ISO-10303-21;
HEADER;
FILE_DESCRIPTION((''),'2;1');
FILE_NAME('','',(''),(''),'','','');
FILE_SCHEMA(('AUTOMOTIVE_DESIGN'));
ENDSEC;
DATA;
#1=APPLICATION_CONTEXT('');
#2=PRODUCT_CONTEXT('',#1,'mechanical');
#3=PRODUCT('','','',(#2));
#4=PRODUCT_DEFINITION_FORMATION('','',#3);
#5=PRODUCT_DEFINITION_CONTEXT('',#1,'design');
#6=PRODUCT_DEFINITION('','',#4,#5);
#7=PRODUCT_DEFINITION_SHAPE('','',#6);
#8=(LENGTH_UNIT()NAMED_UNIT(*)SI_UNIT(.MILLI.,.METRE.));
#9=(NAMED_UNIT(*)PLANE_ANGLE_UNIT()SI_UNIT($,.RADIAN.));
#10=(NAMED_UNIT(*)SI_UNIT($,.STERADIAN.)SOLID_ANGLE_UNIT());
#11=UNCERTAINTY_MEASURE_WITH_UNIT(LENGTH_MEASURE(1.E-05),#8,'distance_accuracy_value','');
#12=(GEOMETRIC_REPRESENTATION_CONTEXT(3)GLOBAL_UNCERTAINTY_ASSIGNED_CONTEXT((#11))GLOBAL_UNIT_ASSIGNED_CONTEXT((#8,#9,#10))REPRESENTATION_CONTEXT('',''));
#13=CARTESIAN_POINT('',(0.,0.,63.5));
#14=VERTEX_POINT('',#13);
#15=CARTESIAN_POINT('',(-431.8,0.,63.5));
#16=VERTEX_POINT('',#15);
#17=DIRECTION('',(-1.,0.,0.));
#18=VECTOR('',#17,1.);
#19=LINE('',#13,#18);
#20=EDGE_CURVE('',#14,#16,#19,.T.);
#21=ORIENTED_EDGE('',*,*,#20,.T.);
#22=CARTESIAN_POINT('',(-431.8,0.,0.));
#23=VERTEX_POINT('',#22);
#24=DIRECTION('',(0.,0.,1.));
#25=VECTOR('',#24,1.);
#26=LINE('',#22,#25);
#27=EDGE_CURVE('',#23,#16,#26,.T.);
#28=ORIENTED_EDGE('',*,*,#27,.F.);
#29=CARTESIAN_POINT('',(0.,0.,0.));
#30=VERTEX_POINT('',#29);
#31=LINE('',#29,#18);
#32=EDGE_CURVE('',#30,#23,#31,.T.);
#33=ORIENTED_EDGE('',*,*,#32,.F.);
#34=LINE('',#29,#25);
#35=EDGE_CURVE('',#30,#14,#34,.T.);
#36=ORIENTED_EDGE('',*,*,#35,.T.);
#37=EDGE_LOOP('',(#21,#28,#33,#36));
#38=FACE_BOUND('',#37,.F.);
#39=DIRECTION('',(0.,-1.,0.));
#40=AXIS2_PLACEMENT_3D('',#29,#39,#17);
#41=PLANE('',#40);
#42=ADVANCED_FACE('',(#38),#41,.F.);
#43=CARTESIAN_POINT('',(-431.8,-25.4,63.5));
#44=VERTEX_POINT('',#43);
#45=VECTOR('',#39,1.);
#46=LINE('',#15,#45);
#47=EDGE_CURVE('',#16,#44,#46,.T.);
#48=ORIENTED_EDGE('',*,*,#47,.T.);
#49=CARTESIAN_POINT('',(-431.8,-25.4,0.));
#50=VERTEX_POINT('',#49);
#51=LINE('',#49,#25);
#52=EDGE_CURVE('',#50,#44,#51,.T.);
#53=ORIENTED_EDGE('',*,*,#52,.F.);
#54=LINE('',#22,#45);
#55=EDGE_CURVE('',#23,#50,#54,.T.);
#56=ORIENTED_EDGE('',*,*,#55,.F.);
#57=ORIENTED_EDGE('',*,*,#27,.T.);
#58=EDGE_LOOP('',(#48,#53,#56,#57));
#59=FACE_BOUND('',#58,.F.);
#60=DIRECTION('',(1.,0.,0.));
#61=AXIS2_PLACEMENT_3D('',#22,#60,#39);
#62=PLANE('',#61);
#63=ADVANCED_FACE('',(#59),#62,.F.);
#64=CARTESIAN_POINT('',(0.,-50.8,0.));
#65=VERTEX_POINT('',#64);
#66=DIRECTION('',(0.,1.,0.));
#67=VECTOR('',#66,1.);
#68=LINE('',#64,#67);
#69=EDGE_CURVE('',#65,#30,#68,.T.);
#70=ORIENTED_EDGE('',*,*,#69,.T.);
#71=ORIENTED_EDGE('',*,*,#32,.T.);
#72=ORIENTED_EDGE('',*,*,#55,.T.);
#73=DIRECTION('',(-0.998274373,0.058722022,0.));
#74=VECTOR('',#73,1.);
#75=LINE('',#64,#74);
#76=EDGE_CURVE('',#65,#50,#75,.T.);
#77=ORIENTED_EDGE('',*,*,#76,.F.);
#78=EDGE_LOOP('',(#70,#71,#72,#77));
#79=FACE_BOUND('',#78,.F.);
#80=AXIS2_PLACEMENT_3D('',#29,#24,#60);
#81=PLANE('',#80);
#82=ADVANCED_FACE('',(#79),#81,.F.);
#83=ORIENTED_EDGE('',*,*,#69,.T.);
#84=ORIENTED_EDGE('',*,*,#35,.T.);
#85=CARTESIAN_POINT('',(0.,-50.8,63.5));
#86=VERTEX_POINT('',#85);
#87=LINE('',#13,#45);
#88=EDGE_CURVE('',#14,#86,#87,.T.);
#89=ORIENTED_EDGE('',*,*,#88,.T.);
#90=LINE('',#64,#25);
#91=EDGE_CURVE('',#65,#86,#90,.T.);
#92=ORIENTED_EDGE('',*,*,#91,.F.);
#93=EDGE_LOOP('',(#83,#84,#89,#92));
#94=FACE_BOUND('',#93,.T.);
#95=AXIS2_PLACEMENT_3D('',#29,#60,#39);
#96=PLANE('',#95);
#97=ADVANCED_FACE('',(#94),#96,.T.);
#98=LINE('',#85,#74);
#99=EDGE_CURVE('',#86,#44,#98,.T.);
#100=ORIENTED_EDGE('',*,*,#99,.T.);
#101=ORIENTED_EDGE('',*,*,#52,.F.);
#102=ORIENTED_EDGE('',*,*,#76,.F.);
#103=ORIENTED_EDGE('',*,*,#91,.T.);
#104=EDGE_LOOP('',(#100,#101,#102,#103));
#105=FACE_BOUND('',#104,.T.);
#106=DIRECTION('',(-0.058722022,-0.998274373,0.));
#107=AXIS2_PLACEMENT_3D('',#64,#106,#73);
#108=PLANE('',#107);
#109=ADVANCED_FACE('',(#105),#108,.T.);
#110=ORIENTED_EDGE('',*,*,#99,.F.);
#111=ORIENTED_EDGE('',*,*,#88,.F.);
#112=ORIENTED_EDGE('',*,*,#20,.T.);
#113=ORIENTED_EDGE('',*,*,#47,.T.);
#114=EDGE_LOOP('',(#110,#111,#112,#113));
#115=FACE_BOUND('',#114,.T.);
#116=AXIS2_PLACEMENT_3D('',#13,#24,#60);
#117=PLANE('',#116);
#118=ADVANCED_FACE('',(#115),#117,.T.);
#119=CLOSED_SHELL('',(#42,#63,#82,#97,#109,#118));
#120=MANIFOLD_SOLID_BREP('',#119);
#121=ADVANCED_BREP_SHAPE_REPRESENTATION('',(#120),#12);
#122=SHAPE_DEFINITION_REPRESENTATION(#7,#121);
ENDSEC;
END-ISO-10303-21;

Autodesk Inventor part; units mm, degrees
ref_plane "YZ Plane" through (0, 0, 0) normal (1, 0, 0) x (0, 1, 0)
ref_plane "XZ Plane" through (0, 0, 0) normal (0, 1, 0) x (-1, 0, 0)
ref_plane "XY Plane" through (0, 0, 0) normal (0, 0, 1) x (1, 0, 0)
sketch "Sketch1" plane through (0, 0, 0) normal (0, 0, 1) x (1, 0, 0)
  line L0 (0, 0) -> (-431.8, 0)
  line L1 (0, 0) -> (0, -50.8)
  line L2 (-431.8, 0) -> (-431.8, -25.4)
  line L3 (0, -50.8) -> (-431.8, -25.4)
  line L4 (0, -25.4) -> (-50.8, -25.4)
  line L5 (-50.8, -25.4) -> (-50.8, -12.7)
  line L6 (-50.8, -12.7) -> (0, -12.7)
  line L7 (0, -25.4) -> (0, -12.7)
  dimension "d0" = 431.8
  dimension "d1" = 50.8
  dimension "d4" = 25.4
  dimension "d5" = 50.8
extrude "Extrusion1" add sketch "Sketch1" along normal blind 63.5
properties part number "FoldLiftPart1"
